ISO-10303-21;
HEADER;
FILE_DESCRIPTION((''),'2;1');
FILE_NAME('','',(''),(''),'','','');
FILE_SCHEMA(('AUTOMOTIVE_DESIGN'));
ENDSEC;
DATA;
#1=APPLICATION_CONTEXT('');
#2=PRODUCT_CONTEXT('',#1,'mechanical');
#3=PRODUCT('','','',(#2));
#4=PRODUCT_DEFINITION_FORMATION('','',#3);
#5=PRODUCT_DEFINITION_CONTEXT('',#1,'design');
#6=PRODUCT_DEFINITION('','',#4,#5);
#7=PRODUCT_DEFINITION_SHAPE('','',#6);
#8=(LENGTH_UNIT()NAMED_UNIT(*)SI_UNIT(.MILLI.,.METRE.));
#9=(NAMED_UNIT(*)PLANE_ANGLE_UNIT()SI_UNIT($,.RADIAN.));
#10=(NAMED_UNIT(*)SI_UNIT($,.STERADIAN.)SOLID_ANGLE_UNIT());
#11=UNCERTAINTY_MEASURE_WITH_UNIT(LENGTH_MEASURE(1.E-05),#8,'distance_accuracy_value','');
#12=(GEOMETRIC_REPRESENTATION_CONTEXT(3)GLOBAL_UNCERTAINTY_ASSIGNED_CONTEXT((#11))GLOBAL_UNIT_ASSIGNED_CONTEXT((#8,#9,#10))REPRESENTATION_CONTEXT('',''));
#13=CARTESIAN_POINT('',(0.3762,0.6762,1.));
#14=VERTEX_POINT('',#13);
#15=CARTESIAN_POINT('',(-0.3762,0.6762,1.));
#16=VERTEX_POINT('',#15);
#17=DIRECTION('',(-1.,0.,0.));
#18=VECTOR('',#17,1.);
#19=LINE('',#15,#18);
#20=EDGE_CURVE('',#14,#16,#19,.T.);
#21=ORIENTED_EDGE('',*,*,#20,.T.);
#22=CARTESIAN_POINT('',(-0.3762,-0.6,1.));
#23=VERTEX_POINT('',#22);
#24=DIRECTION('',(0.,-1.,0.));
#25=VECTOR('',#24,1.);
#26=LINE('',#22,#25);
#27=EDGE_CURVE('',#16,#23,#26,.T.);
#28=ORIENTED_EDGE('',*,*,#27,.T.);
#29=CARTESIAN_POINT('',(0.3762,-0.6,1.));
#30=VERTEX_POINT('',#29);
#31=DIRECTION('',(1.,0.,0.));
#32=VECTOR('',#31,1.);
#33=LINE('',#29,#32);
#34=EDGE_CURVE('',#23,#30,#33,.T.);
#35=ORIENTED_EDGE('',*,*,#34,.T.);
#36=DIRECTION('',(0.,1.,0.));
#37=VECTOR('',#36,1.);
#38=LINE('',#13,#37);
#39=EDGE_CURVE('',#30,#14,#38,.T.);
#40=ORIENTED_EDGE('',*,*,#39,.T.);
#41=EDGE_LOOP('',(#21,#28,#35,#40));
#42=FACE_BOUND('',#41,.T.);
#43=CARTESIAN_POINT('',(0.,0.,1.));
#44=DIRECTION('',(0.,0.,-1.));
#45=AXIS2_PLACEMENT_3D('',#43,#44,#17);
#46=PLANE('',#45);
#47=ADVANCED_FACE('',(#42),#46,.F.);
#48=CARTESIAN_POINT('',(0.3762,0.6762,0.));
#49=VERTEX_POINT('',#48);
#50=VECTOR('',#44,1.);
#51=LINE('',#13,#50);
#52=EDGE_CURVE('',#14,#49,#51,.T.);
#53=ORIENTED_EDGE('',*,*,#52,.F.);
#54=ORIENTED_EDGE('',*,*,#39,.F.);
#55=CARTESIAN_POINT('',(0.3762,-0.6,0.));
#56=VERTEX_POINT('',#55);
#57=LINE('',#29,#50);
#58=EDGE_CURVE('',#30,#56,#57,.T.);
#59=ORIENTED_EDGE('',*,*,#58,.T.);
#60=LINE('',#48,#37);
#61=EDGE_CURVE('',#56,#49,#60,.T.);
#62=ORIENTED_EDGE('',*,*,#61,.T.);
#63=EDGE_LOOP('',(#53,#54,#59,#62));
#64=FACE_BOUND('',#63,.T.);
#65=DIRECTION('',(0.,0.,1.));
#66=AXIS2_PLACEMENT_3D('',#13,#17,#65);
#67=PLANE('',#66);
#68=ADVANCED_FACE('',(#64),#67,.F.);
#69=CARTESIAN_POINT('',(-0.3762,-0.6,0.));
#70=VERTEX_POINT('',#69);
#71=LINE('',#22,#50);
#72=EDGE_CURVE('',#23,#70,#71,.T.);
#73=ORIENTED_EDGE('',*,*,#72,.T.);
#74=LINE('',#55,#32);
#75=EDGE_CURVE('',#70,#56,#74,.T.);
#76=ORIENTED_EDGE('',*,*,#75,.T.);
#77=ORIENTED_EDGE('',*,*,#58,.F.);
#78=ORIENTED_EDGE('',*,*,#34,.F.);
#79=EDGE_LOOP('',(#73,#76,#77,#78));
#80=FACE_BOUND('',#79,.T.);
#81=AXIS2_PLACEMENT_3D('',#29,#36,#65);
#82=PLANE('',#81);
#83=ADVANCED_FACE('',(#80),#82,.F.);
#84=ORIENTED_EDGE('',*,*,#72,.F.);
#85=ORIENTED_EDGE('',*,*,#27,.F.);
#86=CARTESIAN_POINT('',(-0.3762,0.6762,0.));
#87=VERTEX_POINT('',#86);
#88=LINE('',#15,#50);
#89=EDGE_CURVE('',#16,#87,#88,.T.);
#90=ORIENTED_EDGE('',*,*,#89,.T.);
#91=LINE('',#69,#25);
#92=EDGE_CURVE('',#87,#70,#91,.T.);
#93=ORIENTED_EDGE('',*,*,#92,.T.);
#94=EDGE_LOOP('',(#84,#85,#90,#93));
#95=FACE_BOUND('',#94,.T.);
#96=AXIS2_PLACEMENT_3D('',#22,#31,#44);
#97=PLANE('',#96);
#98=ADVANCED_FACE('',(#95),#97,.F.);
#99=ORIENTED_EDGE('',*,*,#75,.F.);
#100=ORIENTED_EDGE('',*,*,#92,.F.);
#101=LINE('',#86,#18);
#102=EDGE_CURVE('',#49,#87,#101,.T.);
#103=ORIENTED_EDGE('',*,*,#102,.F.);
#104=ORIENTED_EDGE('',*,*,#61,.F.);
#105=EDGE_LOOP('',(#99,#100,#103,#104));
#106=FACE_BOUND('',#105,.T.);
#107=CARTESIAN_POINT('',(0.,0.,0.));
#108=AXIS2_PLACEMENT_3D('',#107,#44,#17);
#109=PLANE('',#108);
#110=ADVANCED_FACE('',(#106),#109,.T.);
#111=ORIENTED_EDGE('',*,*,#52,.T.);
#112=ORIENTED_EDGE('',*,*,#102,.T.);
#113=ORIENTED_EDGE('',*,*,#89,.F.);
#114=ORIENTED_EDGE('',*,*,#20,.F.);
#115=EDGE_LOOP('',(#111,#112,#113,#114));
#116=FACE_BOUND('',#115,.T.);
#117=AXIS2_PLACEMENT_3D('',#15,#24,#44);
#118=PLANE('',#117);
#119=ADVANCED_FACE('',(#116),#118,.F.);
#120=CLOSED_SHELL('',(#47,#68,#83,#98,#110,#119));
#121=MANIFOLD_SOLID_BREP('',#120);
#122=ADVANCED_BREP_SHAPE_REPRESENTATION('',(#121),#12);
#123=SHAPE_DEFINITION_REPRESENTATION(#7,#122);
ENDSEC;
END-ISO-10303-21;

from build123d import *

# Parameters (mm, degrees)
SKETCH1_W               = 0.7524
SKETCH1_H               = 1.2762
COMPONENT_OUTLINE_DEPTH = 1


with BuildPart() as part:
    # Sketch1 → Component_Outline (new body)
    with BuildSketch(Plane.XY):
        with Locations((0, 0.0381)):
            Rectangle(SKETCH1_W, SKETCH1_H)
    extrude(amount=COMPONENT_OUTLINE_DEPTH)


solid = part.part
